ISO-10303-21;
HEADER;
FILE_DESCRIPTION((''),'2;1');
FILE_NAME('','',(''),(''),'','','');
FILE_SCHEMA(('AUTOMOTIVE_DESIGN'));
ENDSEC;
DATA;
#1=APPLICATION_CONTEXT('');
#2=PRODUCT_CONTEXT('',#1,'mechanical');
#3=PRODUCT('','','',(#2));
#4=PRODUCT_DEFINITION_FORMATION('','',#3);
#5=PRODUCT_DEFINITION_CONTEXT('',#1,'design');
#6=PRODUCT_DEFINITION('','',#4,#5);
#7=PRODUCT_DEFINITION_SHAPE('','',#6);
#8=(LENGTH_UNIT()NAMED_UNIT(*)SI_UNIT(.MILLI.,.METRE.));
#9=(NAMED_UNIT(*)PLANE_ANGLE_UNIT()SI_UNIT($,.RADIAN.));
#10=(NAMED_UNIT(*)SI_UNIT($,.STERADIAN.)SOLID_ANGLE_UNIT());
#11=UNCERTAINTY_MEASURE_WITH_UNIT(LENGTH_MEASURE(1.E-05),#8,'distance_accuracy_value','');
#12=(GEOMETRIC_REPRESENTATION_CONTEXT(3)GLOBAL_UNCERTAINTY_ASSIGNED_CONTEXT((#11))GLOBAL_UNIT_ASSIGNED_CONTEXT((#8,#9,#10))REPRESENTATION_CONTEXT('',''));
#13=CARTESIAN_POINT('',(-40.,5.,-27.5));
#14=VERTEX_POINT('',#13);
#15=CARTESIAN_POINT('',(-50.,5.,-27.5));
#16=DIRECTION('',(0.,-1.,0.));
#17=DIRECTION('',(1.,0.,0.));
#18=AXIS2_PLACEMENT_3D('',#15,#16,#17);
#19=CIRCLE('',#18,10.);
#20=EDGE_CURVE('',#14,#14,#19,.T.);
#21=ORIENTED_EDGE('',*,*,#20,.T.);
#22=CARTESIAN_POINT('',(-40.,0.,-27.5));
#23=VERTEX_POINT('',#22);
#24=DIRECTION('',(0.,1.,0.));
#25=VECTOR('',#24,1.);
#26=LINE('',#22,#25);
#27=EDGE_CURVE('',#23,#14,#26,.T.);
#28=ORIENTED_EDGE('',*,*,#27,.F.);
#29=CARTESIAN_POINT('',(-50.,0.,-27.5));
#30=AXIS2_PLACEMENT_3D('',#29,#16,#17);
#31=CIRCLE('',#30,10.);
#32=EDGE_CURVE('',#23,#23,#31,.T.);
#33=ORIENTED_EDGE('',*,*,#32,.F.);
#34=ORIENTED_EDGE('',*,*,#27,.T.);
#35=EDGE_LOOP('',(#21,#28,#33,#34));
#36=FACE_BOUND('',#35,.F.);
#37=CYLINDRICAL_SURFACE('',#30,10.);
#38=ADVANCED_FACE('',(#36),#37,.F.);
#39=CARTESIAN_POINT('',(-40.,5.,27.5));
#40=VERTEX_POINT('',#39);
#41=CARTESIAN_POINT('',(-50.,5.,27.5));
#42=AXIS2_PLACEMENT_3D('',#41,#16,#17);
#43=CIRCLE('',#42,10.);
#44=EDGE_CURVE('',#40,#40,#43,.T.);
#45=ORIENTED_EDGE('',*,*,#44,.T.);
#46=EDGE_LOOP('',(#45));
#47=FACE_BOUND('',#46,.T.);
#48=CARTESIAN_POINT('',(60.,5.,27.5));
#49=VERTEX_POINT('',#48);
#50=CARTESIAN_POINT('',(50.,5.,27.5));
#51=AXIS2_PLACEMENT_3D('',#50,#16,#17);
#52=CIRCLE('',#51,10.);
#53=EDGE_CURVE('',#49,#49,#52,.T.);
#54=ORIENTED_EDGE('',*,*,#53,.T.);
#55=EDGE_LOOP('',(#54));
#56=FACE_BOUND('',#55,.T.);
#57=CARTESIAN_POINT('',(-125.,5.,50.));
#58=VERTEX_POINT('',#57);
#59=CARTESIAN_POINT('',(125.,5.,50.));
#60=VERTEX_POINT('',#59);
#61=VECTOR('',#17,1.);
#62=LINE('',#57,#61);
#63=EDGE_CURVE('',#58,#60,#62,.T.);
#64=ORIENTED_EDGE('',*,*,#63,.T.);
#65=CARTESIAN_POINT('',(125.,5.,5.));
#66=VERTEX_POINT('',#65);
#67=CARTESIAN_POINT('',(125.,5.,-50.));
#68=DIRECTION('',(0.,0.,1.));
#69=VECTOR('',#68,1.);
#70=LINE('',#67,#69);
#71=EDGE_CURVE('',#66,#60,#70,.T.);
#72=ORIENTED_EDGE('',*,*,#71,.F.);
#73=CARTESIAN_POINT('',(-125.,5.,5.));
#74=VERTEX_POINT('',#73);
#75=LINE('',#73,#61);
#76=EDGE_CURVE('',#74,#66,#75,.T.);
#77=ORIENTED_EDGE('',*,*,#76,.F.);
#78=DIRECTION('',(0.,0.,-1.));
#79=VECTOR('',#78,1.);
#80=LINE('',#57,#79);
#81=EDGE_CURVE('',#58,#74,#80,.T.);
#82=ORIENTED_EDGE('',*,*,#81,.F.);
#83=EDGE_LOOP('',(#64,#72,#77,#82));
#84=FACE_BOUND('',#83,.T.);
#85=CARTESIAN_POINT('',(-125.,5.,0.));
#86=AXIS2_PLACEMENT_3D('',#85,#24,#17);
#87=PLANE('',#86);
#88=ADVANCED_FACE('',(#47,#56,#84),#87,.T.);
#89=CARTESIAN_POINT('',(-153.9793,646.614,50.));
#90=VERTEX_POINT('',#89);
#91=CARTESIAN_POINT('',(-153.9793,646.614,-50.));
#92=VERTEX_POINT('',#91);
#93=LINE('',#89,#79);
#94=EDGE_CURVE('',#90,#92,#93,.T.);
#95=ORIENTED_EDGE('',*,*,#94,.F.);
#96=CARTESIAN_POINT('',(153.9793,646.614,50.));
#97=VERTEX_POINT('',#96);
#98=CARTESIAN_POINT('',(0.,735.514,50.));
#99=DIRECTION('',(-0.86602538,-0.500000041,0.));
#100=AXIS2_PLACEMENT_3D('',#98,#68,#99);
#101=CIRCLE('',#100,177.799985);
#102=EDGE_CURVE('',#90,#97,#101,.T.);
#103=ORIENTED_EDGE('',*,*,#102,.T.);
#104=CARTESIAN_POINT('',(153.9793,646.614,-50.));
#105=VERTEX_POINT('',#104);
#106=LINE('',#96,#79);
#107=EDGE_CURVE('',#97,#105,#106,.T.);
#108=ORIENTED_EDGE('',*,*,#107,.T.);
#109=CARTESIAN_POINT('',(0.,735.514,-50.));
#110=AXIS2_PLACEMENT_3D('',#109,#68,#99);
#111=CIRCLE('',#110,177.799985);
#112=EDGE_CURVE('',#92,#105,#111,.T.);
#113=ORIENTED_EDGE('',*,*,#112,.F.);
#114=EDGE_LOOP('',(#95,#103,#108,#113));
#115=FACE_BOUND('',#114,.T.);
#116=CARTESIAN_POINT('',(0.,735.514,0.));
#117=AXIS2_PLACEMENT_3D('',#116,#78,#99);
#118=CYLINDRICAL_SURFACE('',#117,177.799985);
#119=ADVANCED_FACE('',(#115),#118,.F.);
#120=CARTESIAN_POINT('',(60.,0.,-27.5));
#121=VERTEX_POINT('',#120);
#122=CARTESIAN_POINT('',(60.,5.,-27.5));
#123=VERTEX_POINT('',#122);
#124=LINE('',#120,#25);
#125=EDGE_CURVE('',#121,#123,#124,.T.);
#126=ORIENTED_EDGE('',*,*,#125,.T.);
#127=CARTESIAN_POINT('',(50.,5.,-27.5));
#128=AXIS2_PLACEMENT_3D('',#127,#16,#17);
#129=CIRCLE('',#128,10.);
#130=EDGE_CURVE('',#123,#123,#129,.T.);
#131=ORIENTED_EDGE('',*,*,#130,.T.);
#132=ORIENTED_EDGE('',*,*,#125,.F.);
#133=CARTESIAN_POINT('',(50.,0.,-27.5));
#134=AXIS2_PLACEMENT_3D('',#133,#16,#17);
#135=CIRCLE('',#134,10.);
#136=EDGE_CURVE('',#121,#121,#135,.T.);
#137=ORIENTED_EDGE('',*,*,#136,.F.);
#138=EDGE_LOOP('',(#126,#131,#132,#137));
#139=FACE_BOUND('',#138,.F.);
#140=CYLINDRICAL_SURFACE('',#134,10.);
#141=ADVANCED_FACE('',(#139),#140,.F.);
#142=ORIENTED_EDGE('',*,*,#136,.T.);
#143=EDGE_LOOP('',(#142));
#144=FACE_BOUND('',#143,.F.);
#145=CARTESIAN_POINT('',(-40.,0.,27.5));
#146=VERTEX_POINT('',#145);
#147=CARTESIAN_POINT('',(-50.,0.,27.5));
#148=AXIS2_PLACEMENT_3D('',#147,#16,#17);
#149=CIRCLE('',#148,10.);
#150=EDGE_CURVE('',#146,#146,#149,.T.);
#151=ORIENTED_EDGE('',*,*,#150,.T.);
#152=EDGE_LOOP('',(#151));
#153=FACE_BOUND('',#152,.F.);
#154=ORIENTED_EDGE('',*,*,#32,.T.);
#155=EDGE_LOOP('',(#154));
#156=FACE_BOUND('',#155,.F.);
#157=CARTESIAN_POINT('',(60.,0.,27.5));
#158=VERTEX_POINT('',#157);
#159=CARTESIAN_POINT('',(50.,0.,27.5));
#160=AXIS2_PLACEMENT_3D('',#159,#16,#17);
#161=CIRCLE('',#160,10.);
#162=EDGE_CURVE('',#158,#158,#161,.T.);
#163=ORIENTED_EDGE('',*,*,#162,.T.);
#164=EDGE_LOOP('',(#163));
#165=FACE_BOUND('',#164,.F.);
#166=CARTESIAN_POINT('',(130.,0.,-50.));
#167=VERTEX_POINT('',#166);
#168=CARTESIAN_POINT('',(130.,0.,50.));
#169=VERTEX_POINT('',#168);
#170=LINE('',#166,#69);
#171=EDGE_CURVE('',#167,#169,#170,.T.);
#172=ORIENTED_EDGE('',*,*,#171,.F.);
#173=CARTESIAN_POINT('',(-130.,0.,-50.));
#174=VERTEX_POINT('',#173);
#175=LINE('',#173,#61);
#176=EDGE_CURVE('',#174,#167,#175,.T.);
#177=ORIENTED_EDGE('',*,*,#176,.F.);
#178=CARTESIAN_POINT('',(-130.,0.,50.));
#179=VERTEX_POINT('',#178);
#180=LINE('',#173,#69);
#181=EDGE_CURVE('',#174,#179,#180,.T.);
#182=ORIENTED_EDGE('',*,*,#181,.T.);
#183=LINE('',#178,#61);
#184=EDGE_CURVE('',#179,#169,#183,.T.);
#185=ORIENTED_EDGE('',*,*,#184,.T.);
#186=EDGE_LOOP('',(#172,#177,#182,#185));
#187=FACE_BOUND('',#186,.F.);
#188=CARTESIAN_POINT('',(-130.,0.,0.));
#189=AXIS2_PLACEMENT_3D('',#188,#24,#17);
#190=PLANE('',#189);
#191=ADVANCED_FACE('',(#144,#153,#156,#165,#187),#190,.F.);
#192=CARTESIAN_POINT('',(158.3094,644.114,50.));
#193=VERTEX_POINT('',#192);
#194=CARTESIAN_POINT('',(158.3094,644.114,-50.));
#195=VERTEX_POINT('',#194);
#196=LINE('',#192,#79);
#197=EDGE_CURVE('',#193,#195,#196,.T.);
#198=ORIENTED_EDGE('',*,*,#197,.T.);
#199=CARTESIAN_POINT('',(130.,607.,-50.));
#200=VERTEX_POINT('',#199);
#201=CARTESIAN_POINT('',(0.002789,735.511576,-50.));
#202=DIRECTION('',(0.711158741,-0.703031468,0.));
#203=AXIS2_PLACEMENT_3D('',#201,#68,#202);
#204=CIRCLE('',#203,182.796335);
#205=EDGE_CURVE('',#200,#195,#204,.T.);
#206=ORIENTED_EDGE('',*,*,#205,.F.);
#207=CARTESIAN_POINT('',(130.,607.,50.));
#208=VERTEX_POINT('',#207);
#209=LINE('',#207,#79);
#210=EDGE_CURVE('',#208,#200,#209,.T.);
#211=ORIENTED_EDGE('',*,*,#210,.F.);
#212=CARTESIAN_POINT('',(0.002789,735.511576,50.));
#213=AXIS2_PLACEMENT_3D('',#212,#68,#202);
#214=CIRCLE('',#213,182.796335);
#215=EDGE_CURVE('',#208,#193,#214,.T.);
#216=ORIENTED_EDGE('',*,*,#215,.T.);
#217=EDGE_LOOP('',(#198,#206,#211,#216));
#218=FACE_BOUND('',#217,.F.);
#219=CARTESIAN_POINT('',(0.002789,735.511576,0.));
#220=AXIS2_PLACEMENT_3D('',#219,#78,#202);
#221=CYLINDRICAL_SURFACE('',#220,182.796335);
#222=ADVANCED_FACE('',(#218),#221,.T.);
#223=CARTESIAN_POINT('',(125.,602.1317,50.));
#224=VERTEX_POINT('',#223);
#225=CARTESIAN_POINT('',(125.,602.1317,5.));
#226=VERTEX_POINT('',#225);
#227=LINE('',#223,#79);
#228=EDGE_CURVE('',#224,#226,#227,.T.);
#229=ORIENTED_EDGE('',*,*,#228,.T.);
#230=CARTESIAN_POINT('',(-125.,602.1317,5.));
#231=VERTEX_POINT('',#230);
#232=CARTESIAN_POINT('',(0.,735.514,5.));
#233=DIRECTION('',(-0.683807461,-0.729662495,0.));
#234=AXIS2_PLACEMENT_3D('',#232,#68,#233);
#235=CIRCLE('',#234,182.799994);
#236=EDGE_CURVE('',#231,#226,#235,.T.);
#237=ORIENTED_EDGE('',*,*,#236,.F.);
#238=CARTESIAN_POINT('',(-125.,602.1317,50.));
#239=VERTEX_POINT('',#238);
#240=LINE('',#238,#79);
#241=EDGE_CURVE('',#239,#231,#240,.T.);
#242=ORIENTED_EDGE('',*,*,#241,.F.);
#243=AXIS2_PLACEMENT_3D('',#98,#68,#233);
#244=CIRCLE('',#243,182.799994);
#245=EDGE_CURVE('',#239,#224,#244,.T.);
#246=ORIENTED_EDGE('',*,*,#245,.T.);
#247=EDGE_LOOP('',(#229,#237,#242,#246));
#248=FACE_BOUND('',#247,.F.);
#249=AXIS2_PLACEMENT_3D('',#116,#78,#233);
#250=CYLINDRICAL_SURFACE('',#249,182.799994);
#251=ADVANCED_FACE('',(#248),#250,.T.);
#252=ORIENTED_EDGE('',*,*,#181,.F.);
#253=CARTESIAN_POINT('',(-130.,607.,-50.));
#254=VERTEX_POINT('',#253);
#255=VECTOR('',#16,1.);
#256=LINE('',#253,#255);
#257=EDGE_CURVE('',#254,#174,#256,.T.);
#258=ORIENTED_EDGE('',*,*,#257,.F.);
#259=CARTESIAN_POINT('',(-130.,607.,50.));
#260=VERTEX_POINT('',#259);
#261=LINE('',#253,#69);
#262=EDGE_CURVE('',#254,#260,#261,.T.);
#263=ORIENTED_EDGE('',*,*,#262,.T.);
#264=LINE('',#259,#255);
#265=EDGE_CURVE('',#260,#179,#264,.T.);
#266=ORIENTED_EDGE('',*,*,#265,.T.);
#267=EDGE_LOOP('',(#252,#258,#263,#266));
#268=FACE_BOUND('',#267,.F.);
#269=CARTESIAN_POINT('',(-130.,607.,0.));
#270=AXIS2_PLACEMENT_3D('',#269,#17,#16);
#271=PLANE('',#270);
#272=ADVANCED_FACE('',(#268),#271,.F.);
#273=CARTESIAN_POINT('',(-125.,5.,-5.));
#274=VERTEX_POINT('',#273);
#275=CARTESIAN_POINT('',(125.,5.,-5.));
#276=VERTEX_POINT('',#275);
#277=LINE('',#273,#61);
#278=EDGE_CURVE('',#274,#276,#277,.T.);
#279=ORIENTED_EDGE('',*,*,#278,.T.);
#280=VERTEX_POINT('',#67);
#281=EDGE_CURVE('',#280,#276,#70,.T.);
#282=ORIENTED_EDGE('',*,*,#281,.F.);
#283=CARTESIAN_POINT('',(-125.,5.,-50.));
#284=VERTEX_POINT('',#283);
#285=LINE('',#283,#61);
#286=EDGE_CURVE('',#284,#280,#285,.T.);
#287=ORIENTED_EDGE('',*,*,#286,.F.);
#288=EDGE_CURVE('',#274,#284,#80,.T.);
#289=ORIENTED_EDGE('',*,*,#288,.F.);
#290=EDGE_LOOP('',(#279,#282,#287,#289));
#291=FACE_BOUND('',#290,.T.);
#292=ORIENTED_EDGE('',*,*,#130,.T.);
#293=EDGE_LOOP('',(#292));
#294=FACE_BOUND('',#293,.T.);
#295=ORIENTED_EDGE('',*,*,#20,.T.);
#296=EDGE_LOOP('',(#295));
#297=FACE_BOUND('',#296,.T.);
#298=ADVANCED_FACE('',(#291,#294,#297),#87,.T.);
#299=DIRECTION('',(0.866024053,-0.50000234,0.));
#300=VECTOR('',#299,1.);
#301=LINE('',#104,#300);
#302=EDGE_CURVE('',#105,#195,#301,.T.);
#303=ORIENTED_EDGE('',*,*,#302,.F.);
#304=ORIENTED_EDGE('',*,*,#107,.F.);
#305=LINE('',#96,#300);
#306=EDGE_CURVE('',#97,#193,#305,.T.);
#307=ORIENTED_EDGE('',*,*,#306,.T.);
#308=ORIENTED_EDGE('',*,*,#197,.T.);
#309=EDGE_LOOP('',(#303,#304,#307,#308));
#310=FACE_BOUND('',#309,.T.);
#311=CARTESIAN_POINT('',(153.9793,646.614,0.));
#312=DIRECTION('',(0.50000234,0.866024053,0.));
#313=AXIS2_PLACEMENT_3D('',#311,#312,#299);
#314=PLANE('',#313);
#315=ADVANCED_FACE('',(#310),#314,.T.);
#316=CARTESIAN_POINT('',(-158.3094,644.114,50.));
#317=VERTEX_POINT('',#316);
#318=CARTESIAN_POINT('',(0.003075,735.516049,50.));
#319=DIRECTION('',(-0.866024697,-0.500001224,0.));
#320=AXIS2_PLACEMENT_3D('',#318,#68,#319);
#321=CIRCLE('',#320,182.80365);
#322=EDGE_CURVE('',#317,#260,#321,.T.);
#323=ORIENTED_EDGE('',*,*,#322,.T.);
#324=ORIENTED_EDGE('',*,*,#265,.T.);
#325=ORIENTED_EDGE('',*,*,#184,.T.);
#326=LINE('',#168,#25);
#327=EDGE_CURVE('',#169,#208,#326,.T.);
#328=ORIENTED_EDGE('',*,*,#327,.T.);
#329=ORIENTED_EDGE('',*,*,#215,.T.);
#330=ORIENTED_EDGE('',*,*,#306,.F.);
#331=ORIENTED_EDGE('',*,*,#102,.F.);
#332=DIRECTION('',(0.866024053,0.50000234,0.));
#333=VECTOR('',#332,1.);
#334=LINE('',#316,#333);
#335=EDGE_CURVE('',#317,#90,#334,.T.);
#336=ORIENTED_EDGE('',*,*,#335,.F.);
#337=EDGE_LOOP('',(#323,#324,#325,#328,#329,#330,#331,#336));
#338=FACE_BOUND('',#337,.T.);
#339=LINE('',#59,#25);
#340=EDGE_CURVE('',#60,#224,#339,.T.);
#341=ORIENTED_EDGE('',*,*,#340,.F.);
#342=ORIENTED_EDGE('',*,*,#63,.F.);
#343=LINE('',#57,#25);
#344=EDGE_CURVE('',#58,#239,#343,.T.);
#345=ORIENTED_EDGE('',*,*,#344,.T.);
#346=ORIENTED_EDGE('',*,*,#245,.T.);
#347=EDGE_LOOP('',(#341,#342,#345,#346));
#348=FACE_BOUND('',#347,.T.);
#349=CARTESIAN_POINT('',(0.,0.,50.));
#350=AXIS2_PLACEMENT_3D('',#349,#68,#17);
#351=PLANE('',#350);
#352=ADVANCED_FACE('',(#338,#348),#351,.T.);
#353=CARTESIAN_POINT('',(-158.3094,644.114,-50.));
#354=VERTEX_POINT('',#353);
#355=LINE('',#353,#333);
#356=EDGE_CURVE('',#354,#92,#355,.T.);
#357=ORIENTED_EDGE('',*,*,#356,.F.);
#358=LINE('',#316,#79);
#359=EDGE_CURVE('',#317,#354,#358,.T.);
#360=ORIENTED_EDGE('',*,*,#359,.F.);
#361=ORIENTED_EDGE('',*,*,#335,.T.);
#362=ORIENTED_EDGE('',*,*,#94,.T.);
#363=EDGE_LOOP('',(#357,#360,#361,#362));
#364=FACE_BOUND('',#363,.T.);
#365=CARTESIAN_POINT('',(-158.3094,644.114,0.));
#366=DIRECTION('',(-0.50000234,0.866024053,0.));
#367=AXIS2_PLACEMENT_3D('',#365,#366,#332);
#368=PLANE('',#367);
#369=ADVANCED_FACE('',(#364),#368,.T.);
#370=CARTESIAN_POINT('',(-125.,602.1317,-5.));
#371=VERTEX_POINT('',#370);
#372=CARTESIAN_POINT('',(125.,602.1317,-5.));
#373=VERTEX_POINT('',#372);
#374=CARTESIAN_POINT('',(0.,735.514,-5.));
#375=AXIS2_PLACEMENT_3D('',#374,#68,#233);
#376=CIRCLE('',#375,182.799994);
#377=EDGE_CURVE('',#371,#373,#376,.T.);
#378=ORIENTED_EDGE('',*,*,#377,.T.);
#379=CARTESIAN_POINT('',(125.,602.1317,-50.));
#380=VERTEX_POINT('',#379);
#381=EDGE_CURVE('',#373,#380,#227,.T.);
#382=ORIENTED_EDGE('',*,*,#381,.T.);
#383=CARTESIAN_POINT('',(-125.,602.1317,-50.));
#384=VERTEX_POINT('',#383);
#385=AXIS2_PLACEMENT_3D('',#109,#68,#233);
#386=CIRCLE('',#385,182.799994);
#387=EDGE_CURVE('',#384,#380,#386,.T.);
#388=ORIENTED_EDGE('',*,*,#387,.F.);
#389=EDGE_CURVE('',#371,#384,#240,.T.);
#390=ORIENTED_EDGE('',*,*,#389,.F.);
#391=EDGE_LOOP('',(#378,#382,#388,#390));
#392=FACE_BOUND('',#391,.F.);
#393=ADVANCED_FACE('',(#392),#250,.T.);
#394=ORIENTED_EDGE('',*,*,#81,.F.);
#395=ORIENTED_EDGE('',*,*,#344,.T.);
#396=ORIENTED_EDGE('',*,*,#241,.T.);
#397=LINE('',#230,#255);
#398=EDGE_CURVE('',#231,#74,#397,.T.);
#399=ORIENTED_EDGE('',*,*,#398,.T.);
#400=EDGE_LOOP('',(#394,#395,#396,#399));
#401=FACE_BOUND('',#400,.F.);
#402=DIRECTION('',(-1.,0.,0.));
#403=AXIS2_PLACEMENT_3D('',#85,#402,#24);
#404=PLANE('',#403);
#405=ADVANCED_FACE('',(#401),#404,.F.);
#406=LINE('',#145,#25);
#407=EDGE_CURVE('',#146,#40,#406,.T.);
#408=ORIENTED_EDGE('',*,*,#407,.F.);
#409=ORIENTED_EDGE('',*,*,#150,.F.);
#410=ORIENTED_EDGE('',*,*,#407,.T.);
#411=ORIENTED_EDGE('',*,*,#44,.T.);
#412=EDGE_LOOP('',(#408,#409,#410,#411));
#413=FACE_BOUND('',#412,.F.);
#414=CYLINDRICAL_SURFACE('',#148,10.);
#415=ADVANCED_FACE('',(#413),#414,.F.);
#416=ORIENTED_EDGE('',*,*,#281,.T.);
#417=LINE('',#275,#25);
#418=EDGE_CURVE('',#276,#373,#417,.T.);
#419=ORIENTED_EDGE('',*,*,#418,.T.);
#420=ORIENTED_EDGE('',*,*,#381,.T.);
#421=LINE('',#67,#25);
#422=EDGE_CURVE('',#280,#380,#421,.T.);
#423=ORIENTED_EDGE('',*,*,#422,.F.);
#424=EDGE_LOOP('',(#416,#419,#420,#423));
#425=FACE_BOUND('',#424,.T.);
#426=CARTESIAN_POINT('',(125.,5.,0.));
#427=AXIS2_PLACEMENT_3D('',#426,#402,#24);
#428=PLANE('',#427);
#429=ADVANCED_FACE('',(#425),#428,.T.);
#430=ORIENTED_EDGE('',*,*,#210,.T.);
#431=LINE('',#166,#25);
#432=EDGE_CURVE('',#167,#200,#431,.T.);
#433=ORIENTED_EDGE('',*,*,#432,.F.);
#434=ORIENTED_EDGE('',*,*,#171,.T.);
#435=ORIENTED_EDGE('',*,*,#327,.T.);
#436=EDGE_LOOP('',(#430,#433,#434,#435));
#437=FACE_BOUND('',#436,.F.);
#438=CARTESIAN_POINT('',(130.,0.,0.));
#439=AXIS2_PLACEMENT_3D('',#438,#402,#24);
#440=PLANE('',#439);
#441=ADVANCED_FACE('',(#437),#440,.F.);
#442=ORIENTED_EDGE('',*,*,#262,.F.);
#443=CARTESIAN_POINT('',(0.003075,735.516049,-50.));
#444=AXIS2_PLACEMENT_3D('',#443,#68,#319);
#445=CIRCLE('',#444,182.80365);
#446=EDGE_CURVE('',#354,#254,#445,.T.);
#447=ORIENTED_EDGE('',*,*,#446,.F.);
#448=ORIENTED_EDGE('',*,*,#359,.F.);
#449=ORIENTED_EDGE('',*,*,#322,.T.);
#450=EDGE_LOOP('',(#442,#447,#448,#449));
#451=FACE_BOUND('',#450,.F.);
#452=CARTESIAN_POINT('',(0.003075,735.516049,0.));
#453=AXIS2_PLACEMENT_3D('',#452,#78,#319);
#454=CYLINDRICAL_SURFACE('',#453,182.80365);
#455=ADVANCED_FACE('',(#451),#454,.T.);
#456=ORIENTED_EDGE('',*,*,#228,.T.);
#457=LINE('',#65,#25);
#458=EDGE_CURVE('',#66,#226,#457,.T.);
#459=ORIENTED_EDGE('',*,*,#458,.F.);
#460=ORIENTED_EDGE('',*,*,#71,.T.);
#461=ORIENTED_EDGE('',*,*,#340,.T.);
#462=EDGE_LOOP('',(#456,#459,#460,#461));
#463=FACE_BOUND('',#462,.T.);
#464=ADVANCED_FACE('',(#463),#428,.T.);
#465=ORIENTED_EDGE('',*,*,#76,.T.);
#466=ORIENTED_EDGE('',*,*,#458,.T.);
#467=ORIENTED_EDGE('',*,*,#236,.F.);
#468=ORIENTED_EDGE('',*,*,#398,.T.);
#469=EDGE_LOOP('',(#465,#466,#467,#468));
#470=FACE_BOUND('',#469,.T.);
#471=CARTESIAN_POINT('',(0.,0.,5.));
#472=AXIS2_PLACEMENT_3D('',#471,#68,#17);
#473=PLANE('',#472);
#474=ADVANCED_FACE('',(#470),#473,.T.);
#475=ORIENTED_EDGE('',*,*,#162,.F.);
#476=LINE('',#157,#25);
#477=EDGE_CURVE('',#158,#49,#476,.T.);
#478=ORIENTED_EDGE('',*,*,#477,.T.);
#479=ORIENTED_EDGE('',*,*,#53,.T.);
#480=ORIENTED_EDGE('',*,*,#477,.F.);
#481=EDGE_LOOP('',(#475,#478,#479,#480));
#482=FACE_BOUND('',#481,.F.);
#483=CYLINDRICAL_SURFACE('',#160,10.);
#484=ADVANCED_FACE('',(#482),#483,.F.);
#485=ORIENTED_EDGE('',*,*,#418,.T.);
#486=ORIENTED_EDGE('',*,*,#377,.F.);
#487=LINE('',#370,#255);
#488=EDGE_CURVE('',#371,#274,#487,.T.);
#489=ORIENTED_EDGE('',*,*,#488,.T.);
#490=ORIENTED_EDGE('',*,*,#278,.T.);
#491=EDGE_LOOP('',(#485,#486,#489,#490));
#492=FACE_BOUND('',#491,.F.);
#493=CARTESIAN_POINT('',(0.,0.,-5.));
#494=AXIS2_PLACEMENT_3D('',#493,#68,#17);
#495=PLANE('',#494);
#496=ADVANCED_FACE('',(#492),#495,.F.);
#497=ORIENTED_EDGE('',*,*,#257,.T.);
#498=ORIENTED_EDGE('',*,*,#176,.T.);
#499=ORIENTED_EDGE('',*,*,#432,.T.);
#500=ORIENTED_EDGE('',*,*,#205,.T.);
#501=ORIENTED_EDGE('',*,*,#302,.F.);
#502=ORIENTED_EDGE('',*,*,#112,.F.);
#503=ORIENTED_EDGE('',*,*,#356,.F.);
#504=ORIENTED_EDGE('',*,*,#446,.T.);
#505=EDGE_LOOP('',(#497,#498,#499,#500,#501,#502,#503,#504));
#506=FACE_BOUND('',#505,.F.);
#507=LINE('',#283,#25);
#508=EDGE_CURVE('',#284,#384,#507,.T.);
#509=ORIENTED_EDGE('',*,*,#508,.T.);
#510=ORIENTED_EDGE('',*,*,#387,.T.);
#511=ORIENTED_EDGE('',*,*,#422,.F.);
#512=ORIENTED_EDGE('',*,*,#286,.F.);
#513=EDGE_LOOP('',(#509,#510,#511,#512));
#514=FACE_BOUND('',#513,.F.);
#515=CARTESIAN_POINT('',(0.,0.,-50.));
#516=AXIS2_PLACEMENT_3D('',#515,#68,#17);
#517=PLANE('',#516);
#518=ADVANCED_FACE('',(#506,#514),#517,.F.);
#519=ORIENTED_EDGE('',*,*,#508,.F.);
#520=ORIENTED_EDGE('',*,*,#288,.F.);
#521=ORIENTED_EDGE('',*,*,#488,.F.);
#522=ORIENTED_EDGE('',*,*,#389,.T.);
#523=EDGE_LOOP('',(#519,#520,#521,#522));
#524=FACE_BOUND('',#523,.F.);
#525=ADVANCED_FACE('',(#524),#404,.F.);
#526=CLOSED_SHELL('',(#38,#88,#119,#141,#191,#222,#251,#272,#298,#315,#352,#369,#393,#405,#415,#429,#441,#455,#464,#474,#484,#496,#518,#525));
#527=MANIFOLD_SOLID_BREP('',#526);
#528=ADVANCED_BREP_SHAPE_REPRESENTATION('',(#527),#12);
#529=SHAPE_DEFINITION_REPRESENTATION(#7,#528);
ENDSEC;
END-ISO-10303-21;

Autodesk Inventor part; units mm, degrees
ref_plane "YZ Plane" through (0, 0, 0) normal (1, 0, 0) x (0, 1, 0)
ref_plane "XZ Plane" through (0, 0, 0) normal (0, 1, 0) x (-1, 0, 0)
ref_plane "XY Plane" through (0, 0, 0) normal (0, 0, 1) x (1, 0, 0)
sketch "Sketch1" plane through (0, 0, 0) normal (0, 0, 1) x (1, 0, 0)
  line L0 (-130, 607) -> (-130, 0)
  line L1 (-130, 0) -> (130, 0)
  line L2 (130, 0) -> (130, 607)
  line L3 (125, 5) -> (125, 602.1317)
  line L4 (-125, 5) -> (-125, 602.1317)
  line L5 (-125, 5) -> (125, 5)
  arc A0 (-153.9793, 646.614) -> (153.9793, 646.614) centre (0, 735.514) ccw
  arc A1 (130, 607) -> (158.3094, 644.114) centre (0, 735.514) ccw
  arc A2 (-158.3094, 644.114) -> (-130, 607) centre (0, 735.514) ccw
  arc A3 (-125, 602.1317) -> (125, 602.1317) centre (0, 735.514) ccw
  line L6 (-158.3094, 644.114) -> (-153.9793, 646.614)
  line L7 (153.9793, 646.614) -> (158.3094, 644.114)
  point P0 (0, 0)
  point P1 (0, 0)
  point P2 (0, 5)
  dimension "d0" = 260
  dimension "d2" = 607
  dimension "d3" = 607
  dimension "d6" = 5
  dimension "d7" = 5
  dimension "d8" = 5
  dimension "d57" = 355.6
  dimension "d61" = 5
  dimension "d64" = 182.8
  dimension "d79" = 130
  dimension "d80" = 120
  dimension "d81" = 158.3094
  dimension "d82" = 153.9793
  dimension "d83" = 153.9793
extrude "Extrusion1" add sketch "Sketch1" along normal mid plane 100
sketch "Sketch5" plane through (0, 0, 0) normal (0, 0, 1) x (1, 0, 0)
  line L0 (-125, 602.1317) -> (-125, 5) projected
  line L1 (-125, 602.1317) -> (-125, 5)
  line L2 (-125, 5) -> (125, 5)
  line L3 (-125, 5) -> (125, 5) projected
  line L4 (125, 5) -> (125, 602.1317) projected
  line L5 (125, 5) -> (125, 602.1317)
  arc A0 (-125, 602.1317) -> (125, 602.1317) centre (0, 735.514) ccw
  point P0 (0, 0)
  point P1 (0, 5)
  dimension "d67" = 365.6
extrude "Extrusion2" add sketch "Sketch5" along normal mid plane 10
sketch "Sketch6" plane through (-130, 0, 50) normal (0, -1, 0) x (1, 0, 0)
  line L0 (5, -100) -> (255, -100) projected
  line L1 (130, -100) -> (130, 0)
  line L2 (0, 0) -> (260, 0) projected
  circle A0 centre (180, -77.5) radius 10
  circle A1 centre (180, -22.5) radius 10
  circle A2 centre (80, -77.5) radius 10
  circle A3 centre (80, -22.5) radius 10
  point P0 (130, -50)
  dimension "d72" = 20
  dimension "d73" = 100
  dimension "d74" = 20
  dimension "d75" = 55
  dimension "d76" = 100
  dimension "d84" = 22.5
extrude "Extrusion5" cut sketch "Sketch6" against normal blind 10
properties part number "Fix Saddle Pervecto" material "Steel ASTM A36"
